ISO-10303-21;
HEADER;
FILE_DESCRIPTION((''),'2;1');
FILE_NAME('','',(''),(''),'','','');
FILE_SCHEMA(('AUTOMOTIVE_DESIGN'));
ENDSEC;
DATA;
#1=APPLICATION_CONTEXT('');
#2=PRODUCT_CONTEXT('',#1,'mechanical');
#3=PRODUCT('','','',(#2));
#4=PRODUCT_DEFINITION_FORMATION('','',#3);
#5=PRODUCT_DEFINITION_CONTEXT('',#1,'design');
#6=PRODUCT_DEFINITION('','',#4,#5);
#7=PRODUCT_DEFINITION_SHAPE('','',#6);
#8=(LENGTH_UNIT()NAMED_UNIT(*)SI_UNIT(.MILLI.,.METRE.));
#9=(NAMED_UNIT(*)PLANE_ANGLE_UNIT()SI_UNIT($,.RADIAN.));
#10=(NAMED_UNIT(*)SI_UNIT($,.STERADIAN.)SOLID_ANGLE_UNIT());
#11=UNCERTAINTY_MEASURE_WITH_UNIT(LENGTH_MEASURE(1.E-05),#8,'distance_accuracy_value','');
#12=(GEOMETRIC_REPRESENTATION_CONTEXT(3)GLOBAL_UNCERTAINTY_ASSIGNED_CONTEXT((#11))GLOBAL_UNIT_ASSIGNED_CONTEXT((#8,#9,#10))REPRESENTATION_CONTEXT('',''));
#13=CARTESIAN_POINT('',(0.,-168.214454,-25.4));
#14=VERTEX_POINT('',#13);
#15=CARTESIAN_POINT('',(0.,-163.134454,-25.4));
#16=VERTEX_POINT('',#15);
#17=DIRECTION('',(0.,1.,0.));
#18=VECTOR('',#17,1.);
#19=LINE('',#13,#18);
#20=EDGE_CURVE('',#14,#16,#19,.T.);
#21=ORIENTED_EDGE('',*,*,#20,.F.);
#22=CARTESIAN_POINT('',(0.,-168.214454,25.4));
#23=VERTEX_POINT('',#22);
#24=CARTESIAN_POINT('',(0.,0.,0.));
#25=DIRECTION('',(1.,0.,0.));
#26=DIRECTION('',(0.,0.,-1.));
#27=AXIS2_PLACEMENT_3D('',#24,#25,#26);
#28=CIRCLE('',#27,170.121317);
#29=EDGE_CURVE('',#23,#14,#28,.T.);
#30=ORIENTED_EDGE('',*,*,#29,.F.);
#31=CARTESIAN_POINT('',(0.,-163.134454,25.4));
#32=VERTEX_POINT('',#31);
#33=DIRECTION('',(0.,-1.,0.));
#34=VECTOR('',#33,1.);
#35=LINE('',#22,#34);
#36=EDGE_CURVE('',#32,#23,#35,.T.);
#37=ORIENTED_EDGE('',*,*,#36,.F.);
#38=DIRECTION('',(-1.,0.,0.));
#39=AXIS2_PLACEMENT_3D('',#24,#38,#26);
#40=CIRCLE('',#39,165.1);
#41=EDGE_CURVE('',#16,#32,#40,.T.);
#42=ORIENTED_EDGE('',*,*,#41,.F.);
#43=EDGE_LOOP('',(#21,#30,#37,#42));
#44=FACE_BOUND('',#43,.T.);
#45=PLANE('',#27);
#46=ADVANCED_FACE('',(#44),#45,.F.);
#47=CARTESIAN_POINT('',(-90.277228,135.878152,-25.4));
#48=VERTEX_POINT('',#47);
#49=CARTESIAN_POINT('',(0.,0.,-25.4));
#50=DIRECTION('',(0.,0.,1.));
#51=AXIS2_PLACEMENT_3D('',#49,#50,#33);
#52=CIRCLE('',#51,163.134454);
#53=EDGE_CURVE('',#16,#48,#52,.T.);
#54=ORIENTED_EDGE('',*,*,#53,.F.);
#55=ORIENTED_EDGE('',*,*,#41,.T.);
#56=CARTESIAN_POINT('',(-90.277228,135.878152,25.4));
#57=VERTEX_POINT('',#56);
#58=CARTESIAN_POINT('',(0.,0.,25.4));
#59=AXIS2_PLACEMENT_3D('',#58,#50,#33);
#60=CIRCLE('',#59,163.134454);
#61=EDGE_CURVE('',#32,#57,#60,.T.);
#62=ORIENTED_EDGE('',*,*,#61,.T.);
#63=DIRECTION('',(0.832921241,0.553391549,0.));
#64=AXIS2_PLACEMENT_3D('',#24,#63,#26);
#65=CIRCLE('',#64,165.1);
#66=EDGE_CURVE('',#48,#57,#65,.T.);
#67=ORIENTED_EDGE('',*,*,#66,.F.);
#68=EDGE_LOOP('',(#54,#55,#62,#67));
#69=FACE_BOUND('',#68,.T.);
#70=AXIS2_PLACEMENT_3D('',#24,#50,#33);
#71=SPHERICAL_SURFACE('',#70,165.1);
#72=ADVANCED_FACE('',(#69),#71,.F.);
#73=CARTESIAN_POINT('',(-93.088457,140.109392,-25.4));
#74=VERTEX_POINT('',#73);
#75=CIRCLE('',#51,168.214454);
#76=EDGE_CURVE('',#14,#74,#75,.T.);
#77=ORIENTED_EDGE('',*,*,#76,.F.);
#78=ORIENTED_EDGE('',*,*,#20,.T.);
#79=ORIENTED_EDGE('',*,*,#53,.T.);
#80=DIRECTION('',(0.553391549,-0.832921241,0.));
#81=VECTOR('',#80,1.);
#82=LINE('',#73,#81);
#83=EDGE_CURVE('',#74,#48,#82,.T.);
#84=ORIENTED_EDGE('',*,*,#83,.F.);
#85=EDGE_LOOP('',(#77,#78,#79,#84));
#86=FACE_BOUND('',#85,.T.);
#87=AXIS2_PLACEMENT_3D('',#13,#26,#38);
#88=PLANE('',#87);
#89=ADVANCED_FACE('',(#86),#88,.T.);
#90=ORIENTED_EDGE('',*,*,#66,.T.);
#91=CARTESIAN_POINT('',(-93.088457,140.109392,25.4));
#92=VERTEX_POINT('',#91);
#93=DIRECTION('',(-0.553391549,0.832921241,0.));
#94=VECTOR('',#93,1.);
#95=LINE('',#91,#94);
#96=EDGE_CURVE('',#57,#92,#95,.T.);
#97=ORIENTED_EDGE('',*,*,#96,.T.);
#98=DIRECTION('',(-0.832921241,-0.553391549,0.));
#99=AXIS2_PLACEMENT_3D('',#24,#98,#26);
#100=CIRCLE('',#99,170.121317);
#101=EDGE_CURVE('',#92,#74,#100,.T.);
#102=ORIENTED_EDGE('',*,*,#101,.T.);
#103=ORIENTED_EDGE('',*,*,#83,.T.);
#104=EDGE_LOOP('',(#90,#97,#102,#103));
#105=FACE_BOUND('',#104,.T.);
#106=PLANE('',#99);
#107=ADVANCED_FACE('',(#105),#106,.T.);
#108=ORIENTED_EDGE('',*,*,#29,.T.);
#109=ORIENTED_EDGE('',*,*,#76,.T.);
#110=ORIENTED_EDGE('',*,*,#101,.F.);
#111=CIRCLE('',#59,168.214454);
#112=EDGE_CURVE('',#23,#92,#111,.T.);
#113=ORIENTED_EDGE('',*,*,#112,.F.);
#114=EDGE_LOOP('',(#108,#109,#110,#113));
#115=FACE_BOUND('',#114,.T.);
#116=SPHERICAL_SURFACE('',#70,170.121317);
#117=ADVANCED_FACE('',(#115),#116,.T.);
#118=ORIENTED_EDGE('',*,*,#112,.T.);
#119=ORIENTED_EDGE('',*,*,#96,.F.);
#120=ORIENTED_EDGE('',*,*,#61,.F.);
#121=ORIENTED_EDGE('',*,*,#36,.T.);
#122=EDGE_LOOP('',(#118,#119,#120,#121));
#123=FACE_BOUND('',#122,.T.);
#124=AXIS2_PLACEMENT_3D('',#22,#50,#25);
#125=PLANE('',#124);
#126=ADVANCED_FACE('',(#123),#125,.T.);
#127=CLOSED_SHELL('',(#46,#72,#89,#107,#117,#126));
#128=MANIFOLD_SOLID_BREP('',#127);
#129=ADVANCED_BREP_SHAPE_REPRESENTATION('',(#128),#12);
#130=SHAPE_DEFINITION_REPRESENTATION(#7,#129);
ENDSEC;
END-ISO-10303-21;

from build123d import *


with BuildPart() as part:
    # Sweep2: sweep along a path in Sketch2
    with BuildLine(Plane.XY) as sweep2_path:
        ThreePointArc((0, -164.117226875), (157.112621168, 47.435096993), (-90.821086438, 136.69672423))
    # Sketch1 → Sweep2 (sweep)
    with BuildSketch(Plane(origin=(0, 0, 0), x_dir=(0, 0, -1), z_dir=(1, 0, 0))):
        with BuildLine():
            Line((-25.4, -168.214453749), (-25.4, -163.134453749))
            ThreePointArc((-25.4, -163.134453749), (0, -165.1), (25.4, -163.134453749))
            Line((25.4, -163.134453749), (25.4, -168.214453749))
            ThreePointArc((25.4, -168.214453749), (0, -170.12131686), (-25.4, -168.214453749))
        make_face()
    sweep(path=sweep2_path.line)


solid = part.part
